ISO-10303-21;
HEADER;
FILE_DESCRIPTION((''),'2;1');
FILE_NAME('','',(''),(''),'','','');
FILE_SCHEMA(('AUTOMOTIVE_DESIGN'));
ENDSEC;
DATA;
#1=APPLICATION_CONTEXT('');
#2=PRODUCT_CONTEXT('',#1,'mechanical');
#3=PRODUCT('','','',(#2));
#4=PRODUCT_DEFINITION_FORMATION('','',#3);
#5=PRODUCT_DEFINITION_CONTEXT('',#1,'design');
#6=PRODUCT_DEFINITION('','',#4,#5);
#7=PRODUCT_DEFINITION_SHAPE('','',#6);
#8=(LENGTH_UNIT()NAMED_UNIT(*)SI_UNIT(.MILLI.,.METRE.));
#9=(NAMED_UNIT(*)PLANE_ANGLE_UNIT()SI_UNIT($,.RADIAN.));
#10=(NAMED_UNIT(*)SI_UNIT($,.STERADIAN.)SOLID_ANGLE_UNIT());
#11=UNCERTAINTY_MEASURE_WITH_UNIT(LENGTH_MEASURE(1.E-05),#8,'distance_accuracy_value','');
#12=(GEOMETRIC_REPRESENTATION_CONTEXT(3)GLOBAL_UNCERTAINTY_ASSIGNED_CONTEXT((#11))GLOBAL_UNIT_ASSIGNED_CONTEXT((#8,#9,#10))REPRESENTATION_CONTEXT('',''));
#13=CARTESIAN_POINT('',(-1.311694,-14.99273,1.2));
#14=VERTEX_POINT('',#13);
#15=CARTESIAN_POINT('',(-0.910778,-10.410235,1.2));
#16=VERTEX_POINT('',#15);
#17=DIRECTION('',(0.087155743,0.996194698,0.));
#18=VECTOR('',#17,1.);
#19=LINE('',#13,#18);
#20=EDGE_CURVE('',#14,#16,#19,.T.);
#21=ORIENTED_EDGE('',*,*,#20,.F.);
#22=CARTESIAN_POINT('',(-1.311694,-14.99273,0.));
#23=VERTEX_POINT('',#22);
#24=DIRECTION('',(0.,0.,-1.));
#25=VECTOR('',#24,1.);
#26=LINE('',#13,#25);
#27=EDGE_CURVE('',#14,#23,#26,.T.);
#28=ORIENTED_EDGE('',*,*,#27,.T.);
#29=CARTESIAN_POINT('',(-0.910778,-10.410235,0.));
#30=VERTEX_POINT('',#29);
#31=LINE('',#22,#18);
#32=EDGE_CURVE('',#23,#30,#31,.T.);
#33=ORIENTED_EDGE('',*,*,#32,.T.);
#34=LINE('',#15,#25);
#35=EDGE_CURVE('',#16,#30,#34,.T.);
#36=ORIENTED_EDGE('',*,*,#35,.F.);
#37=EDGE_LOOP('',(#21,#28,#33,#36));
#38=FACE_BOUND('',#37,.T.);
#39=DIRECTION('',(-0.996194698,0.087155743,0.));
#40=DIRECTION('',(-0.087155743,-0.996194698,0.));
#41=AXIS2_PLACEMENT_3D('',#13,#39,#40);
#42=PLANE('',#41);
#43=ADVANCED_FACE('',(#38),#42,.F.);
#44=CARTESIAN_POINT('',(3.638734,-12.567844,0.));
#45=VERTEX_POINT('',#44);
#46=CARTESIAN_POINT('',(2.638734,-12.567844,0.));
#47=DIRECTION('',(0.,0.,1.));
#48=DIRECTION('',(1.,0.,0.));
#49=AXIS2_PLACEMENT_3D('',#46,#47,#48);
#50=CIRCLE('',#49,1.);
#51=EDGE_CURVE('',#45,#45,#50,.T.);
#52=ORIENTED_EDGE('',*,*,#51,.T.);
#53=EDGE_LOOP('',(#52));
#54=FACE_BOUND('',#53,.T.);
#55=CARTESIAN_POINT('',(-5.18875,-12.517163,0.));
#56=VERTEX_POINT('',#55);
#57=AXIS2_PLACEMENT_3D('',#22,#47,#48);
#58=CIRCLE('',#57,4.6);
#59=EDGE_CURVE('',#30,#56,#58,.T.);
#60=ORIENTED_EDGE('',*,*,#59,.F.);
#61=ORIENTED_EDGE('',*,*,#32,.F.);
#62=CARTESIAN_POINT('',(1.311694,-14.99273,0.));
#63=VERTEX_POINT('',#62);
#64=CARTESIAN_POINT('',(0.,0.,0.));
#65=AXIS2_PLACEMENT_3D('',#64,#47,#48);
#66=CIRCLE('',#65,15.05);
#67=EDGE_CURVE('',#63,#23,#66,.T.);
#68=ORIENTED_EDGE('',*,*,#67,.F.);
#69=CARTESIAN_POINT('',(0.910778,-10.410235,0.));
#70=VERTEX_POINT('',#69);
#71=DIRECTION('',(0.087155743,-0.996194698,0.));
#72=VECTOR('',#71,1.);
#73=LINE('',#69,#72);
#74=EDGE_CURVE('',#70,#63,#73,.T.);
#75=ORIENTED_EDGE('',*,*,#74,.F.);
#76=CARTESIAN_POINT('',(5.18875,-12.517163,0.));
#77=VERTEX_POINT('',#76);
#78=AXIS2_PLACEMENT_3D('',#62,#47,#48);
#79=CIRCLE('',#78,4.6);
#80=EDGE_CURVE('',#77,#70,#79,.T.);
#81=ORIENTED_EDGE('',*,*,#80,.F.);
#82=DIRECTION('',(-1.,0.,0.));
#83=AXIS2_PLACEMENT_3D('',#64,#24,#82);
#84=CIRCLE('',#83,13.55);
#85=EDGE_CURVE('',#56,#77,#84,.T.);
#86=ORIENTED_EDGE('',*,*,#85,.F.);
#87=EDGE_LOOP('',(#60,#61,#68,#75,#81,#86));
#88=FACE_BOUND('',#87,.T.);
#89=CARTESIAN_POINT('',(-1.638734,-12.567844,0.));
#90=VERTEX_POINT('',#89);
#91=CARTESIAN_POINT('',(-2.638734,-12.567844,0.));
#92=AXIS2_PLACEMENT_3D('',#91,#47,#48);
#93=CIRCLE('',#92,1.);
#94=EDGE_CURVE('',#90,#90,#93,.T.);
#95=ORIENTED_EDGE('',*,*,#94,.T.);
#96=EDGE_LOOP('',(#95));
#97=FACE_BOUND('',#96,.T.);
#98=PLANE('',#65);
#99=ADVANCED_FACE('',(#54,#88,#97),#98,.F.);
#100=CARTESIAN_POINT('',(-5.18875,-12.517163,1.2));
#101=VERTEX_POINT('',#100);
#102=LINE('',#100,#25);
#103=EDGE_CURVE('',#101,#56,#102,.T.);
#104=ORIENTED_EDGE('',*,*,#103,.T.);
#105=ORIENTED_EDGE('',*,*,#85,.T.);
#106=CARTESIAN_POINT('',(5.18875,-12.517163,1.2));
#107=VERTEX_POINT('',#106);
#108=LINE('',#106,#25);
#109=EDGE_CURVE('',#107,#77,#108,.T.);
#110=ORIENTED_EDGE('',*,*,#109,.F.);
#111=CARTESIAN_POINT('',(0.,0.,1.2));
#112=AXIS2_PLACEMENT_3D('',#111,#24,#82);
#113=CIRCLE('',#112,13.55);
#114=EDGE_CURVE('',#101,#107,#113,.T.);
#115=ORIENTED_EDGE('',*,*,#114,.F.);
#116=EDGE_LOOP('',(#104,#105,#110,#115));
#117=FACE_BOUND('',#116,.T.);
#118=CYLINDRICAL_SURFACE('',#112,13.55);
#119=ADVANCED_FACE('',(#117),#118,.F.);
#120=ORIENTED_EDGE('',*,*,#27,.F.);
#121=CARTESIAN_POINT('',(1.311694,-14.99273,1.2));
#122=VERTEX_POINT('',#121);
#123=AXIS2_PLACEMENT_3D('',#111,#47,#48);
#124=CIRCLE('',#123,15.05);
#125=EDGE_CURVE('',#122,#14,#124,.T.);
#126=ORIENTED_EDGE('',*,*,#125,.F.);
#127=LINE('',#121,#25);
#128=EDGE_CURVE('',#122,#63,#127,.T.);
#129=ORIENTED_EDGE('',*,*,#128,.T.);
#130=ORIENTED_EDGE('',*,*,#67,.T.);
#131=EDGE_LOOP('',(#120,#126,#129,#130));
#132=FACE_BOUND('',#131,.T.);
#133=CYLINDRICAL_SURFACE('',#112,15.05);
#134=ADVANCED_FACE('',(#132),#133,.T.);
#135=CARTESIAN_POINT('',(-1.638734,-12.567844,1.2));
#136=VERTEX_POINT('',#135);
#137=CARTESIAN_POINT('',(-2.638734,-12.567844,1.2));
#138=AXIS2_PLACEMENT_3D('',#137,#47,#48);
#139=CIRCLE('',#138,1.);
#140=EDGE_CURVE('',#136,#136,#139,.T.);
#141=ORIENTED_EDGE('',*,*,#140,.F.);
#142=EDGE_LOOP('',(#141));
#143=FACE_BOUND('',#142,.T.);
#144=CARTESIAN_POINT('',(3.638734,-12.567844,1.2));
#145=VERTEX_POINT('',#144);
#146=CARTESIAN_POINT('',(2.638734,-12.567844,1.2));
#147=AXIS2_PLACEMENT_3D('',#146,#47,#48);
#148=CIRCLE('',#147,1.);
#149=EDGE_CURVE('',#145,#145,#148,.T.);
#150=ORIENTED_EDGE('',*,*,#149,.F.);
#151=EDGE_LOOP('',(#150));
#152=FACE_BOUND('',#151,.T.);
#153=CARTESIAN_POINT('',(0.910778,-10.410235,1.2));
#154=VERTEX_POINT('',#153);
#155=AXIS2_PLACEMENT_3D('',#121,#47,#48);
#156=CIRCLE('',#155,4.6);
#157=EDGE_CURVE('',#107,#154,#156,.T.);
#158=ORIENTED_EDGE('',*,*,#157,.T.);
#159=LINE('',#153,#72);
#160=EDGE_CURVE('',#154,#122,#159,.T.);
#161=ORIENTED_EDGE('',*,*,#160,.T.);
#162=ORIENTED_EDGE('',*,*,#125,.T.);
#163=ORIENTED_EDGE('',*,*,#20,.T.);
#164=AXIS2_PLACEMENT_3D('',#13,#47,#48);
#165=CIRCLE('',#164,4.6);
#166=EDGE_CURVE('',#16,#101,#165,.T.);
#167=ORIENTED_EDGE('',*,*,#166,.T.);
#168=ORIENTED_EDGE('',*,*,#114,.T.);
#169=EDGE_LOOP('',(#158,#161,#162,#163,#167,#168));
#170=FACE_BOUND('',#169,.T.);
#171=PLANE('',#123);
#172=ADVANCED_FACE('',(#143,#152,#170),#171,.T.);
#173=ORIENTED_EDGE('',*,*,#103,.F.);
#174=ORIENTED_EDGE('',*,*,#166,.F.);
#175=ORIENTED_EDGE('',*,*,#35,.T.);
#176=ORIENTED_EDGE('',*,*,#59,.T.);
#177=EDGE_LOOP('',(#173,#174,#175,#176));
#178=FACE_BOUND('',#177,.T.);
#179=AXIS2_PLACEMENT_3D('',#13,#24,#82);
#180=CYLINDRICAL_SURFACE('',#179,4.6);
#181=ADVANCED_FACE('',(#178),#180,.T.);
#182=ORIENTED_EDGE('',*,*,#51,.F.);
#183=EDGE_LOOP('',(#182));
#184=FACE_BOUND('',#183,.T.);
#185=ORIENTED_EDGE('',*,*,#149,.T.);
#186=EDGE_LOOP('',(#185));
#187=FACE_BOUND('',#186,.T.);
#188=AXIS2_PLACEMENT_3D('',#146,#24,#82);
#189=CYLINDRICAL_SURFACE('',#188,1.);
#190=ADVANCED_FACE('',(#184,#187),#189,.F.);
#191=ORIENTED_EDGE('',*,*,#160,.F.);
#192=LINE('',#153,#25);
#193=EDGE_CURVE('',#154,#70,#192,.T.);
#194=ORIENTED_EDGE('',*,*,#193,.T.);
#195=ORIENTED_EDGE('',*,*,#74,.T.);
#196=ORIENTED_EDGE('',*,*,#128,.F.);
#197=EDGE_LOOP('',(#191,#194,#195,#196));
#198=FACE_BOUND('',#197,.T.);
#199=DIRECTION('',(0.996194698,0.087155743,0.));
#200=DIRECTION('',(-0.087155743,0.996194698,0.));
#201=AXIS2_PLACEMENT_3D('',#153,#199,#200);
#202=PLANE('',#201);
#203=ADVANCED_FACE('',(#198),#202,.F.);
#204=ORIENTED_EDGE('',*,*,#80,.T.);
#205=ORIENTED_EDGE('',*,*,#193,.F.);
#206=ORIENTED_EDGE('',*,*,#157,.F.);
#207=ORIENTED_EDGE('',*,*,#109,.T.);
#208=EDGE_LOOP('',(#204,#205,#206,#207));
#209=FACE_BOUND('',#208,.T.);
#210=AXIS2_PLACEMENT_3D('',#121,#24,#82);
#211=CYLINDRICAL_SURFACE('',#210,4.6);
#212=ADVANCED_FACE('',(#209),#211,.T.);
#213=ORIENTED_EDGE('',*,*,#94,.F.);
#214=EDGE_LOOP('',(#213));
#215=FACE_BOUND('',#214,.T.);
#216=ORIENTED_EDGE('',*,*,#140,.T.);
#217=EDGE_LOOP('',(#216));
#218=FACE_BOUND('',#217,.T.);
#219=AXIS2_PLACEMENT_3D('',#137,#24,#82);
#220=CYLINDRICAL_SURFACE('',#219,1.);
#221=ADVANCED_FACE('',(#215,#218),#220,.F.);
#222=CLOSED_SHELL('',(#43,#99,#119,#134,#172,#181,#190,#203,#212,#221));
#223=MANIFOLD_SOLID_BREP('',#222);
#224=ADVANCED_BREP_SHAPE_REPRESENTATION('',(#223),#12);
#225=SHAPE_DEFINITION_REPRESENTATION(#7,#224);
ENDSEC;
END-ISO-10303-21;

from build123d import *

# Parameters (mm, degrees)
SKETCH_1_R      = 1
EXTRUDE_1_DEPTH = 1.2


with BuildPart() as part:
    # 草图1 → 凸台-拉伸1 (new body)
    with BuildSketch(Plane.XY):
        with BuildLine():
            Line((-1.311693928, -14.992730206), (-0.910777512, -10.410234595))
            ThreePointArc((-0.910777512, -10.410234595), (-3.344099952, -10.866069843), (-5.188750407, -12.517162986))
            ThreePointArc((-5.188750407, -12.517162986), (0, 13.55), (5.188750407, -12.517162986))
            ThreePointArc((5.188750407, -12.517162986), (3.344099952, -10.866069843), (0.910777512, -10.410234595))
            Line((0.910777512, -10.410234595), (1.311693928, -14.992730206))
            ThreePointArc((1.311693928, -14.992730206), (0, 15.05), (-1.311693928, -14.992730206))
        make_face()
        with Locations((2.638734257, -12.567843595)):
            Circle(SKETCH_1_R, mode=Mode.SUBTRACT)
        with Locations((-2.638734257, -12.567843595)):
            Circle(SKETCH_1_R, mode=Mode.SUBTRACT)
    extrude(amount=EXTRUDE_1_DEPTH)


solid = part.part
